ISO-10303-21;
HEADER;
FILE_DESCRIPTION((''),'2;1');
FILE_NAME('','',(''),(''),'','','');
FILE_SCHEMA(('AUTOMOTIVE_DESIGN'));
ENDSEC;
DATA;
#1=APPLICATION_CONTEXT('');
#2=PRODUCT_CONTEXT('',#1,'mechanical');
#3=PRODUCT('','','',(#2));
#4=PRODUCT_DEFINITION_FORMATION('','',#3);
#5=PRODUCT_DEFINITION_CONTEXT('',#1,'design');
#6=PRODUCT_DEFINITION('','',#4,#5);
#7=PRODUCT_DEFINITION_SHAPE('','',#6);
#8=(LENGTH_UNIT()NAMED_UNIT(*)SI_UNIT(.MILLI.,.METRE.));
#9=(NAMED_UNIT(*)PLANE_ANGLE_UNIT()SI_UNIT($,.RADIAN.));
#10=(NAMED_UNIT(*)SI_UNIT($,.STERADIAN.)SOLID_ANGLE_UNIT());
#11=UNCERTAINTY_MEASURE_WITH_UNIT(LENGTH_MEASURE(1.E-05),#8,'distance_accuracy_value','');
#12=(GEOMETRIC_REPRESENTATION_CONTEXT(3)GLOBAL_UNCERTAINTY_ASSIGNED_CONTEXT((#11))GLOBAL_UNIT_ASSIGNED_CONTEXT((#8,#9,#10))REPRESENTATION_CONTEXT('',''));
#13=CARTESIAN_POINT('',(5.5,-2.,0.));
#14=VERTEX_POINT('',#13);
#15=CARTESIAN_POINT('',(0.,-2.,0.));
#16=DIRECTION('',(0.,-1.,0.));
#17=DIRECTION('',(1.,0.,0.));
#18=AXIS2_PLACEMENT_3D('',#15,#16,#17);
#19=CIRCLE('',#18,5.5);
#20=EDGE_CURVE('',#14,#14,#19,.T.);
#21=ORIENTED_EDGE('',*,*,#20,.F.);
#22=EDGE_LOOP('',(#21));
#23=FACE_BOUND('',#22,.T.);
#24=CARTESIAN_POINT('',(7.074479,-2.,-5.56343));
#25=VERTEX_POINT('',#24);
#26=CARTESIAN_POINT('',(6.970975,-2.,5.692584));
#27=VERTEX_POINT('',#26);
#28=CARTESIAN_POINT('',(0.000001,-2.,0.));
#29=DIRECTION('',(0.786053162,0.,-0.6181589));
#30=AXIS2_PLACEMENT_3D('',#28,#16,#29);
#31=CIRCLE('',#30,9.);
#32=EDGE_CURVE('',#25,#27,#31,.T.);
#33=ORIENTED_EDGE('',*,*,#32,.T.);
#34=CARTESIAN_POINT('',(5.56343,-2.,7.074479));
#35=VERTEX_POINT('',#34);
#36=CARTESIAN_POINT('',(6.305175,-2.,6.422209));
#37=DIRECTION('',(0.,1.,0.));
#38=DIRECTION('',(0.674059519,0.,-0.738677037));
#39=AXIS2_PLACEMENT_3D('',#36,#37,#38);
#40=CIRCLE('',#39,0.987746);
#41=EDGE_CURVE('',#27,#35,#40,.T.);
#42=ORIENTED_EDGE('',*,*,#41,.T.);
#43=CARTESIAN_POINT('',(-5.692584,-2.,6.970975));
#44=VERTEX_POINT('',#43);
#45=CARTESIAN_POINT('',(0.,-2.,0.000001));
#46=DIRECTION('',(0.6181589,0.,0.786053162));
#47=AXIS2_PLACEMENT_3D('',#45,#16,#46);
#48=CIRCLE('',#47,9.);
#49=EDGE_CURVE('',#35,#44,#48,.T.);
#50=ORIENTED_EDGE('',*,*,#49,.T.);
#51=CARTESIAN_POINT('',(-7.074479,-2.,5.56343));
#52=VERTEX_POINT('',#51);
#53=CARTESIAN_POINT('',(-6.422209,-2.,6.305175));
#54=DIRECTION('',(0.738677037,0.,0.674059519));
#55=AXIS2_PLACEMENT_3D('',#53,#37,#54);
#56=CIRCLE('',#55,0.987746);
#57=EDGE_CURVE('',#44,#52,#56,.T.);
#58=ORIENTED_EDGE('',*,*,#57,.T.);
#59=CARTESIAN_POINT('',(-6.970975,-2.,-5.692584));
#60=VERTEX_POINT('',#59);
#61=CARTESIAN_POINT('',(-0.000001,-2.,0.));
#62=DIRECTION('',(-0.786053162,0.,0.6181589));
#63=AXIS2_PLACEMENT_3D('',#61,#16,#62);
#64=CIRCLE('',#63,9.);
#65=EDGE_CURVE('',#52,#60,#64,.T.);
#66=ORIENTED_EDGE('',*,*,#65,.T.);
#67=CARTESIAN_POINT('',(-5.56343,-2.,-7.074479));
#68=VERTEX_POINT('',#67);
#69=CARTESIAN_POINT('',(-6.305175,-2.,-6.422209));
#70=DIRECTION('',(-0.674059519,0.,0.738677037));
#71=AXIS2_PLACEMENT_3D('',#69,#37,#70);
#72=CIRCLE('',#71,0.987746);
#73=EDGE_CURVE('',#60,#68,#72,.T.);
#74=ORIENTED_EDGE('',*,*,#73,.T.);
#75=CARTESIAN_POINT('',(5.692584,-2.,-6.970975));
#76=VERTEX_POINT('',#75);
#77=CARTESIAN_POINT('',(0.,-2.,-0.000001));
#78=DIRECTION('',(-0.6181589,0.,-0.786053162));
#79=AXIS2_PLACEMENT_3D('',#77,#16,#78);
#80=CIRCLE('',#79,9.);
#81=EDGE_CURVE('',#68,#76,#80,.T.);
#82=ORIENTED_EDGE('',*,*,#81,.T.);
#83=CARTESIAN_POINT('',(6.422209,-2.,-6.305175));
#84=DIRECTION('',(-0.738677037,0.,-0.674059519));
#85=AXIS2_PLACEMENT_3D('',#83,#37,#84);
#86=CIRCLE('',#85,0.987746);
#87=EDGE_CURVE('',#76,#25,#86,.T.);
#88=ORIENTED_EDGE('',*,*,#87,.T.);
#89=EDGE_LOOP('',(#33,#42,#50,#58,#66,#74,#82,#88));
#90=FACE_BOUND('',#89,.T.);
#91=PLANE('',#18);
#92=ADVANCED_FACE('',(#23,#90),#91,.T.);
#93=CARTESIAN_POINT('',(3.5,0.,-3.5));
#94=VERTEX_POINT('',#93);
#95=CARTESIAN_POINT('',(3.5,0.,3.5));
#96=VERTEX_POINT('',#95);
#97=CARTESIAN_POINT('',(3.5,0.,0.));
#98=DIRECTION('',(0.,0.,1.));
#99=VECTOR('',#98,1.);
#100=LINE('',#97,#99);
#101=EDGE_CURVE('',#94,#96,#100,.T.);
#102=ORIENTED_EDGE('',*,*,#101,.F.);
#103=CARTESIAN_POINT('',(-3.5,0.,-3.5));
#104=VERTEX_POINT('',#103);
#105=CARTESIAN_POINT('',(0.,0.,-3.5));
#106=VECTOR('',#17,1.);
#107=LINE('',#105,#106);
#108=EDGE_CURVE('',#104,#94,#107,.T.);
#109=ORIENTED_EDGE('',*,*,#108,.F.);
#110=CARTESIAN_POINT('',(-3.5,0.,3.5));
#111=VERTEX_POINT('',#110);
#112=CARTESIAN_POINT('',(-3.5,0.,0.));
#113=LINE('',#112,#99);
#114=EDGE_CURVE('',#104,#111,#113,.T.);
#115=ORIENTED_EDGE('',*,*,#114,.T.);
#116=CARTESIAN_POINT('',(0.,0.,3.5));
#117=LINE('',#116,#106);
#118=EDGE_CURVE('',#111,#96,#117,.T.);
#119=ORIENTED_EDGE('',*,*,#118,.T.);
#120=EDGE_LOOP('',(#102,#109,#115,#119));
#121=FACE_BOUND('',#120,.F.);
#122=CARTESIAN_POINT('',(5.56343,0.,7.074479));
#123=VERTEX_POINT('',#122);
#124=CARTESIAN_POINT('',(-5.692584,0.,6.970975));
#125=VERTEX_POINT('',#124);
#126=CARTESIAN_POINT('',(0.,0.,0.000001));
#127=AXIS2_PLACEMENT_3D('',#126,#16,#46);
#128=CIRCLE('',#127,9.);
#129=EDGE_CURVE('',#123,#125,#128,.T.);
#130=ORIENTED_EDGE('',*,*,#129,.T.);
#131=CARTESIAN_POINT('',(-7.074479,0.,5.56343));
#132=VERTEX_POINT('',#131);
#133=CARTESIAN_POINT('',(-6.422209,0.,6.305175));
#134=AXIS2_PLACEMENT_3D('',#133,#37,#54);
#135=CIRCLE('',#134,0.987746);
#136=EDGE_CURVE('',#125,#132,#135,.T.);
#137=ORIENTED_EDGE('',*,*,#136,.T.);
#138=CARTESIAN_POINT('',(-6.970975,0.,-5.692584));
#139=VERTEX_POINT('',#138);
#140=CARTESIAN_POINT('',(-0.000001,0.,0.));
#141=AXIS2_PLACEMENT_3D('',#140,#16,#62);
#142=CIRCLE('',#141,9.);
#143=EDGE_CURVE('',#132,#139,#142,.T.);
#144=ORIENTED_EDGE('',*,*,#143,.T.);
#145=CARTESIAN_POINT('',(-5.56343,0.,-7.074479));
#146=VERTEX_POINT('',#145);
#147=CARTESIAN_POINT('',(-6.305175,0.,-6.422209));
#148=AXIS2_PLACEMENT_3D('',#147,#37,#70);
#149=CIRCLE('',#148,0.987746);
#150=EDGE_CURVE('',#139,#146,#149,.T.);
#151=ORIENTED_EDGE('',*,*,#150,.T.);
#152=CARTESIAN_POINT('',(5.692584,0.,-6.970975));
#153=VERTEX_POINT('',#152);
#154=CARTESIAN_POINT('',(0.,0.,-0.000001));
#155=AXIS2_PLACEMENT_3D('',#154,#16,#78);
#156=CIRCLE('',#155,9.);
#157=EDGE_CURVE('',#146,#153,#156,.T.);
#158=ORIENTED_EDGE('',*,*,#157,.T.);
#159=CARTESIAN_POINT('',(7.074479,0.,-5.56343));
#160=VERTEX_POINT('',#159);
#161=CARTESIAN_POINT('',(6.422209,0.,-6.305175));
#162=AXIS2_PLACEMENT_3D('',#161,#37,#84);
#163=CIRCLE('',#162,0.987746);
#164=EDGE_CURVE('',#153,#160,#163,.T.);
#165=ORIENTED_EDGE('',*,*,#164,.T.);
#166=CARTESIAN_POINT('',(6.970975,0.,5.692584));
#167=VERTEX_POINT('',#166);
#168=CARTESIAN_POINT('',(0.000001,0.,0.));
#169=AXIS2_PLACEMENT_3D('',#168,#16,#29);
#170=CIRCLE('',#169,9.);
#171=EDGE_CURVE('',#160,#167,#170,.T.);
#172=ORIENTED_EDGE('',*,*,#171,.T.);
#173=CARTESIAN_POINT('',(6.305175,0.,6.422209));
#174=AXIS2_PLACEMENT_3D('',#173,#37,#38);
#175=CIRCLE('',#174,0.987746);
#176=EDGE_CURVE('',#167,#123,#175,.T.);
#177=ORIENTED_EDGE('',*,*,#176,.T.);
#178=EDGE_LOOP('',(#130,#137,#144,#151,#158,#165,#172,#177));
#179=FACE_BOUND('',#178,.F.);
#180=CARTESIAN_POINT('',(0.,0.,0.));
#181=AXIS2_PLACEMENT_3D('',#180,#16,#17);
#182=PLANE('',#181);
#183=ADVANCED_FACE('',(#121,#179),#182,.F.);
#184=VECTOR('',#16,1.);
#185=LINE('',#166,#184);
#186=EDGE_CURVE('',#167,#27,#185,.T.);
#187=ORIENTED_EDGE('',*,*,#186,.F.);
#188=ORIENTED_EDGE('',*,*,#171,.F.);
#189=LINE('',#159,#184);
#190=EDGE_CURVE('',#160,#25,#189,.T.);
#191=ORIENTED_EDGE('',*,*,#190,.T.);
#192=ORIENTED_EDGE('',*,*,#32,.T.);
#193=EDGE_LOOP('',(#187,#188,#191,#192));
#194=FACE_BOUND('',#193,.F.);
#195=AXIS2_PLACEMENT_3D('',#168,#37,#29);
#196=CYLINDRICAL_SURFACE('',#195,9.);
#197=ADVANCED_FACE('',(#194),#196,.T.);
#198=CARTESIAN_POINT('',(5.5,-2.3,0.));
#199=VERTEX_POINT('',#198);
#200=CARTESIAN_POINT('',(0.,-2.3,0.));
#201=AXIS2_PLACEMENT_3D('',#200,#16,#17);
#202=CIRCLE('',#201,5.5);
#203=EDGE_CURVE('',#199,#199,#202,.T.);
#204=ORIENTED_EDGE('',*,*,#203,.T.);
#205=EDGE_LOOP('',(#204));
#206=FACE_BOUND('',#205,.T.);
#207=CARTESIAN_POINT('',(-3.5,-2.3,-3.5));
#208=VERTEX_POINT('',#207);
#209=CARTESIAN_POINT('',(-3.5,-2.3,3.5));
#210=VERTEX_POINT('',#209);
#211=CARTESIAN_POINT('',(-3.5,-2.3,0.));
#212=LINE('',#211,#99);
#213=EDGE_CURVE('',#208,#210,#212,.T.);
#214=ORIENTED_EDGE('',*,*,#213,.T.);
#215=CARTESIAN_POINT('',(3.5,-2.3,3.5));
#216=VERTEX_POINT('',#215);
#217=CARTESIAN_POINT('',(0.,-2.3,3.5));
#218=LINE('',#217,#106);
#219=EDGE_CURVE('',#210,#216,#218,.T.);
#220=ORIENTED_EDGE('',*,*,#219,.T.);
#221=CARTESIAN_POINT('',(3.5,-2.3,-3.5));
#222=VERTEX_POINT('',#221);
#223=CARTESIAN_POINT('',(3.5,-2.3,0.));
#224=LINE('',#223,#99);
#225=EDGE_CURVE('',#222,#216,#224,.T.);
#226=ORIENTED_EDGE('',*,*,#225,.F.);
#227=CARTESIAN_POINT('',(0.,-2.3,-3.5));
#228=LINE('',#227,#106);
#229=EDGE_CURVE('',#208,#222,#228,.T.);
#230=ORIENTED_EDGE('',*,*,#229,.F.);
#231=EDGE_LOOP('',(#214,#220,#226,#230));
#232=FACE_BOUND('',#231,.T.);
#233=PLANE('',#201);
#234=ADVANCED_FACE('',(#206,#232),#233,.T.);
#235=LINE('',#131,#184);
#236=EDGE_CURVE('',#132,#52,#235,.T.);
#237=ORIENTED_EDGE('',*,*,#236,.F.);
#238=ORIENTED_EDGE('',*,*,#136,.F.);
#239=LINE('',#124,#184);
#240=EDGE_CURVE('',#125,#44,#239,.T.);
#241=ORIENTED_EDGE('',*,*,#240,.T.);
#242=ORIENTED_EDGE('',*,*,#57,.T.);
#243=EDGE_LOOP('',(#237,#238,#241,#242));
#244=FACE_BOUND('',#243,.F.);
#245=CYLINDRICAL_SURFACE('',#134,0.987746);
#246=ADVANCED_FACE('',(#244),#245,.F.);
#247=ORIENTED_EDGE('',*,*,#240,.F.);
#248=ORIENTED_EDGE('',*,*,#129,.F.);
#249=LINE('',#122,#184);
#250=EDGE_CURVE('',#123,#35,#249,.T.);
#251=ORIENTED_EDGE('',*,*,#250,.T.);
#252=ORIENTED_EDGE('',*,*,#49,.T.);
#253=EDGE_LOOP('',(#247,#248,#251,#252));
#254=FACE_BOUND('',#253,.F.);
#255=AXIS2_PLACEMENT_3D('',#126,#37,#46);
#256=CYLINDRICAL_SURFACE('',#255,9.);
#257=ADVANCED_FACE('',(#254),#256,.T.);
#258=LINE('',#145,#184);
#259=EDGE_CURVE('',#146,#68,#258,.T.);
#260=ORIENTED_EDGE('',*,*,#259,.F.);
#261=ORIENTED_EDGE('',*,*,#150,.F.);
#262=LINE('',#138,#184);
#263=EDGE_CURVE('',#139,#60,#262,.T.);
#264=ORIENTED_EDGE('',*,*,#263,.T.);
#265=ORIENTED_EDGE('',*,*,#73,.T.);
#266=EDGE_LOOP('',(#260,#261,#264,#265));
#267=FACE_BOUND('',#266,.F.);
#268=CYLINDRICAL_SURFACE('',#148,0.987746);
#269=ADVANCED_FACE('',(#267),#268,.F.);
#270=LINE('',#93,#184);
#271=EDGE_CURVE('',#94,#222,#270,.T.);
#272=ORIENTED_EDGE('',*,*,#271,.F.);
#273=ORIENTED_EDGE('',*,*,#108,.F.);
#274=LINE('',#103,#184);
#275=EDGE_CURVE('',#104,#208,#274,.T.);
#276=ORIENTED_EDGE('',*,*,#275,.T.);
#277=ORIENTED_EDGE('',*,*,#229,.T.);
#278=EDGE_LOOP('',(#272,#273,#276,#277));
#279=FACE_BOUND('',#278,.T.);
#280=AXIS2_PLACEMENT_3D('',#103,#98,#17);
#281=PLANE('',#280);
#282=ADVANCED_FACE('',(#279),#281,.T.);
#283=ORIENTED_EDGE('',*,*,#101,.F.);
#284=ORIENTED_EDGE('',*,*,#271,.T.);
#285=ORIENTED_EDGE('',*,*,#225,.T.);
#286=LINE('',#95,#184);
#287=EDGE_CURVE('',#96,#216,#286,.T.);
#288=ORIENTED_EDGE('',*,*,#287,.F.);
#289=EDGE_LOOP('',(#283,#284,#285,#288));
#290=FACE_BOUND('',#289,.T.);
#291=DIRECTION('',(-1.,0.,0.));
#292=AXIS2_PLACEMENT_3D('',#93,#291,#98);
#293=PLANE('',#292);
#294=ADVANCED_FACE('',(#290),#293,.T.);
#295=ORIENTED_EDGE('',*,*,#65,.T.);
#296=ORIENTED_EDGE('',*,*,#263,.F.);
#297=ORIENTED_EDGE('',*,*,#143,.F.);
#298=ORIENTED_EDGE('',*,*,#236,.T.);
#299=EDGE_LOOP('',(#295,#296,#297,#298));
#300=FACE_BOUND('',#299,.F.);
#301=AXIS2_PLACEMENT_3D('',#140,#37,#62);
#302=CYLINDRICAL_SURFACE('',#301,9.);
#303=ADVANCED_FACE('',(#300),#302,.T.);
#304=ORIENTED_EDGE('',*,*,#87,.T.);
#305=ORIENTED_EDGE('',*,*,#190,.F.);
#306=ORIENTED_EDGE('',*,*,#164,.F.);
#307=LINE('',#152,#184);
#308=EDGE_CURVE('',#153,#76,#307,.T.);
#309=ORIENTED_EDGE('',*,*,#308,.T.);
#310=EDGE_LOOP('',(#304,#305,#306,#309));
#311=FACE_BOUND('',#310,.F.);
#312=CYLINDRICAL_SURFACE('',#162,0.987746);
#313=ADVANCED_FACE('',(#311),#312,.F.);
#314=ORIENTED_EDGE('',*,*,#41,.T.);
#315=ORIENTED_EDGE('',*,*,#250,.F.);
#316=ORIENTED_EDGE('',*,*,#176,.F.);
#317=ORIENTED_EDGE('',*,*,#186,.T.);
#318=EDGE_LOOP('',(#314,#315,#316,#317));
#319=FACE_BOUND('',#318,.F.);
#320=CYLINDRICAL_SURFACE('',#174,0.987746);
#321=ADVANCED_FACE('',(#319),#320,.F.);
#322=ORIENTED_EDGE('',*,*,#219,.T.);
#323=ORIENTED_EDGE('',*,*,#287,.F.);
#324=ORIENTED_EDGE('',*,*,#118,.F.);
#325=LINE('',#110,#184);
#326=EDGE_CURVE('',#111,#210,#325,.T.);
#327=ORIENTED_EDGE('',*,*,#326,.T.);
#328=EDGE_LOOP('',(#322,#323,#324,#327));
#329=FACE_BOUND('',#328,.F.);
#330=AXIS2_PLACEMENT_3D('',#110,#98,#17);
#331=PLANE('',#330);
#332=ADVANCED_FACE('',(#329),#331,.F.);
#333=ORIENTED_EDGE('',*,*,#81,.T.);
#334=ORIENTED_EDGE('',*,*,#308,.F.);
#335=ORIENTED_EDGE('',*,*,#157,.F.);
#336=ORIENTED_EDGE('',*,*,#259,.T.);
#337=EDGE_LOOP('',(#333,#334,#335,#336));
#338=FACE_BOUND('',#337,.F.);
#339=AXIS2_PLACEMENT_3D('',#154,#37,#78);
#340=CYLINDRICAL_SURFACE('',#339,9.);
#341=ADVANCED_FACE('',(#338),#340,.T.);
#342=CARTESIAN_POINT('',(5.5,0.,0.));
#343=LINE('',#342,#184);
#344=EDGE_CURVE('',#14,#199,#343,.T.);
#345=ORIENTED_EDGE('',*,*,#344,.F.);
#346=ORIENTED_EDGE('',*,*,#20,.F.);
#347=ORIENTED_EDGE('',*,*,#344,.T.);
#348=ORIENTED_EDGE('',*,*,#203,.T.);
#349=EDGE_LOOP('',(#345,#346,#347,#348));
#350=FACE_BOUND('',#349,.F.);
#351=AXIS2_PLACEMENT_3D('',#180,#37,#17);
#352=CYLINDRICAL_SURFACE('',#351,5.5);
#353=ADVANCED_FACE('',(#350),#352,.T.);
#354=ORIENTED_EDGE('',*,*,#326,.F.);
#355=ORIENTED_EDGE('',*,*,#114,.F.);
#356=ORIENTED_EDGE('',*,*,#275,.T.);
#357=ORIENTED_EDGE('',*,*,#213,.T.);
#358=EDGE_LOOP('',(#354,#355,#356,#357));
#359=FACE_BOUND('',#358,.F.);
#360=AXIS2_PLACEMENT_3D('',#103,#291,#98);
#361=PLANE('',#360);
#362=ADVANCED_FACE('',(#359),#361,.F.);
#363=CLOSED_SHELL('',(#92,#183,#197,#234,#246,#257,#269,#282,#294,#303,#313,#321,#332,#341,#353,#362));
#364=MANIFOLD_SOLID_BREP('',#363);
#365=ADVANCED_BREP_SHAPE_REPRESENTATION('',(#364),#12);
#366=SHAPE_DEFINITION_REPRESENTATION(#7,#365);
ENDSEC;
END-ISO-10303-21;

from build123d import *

# Parameters (mm, degrees)
F0_R     = 5.5
F1_DEPTH = 2
F0_W     = 7
F0_H     = 7
F2_DEPTH = 2.3


with BuildPart() as f1:
    # F0 (on Front) → F1 (new body)
    with BuildSketch(Plane.XZ):
        with BuildLine():
            ThreePointArc((-5.692584, 6.970975), (-5.717375, 5.613185), (-7.074479, 5.56343))
            ThreePointArc((-7.074479, 5.56343), (-8.99962, -0.082756), (-6.970975, -5.692584))
            ThreePointArc((-6.970975, -5.692584), (-5.613185, -5.717375), (-5.56343, -7.074479))
            ThreePointArc((-5.56343, -7.074479), (0.082756, -8.99962), (5.692584, -6.970975))
            ThreePointArc((5.692584, -6.970975), (5.717375, -5.613185), (7.074479, -5.56343))
            ThreePointArc((7.074479, -5.56343), (8.99962, 0.082756), (6.970975, 5.692584))
            ThreePointArc((6.970975, 5.692584), (5.613185, 5.717375), (5.56343, 7.074479))
            ThreePointArc((5.56343, 7.074479), (-0.082756, 8.99962), (-5.692584, 6.970975))
        make_face()
        Circle(F0_R, mode=Mode.SUBTRACT)
    extrude(amount=F1_DEPTH)

    # F0 (on Front) → F2 (join)
    with BuildSketch(Plane.XZ):
        Circle(F0_R)
        Rectangle(F0_W, F0_H, mode=Mode.SUBTRACT)
    extrude(amount=F2_DEPTH)


solid = f1.part
